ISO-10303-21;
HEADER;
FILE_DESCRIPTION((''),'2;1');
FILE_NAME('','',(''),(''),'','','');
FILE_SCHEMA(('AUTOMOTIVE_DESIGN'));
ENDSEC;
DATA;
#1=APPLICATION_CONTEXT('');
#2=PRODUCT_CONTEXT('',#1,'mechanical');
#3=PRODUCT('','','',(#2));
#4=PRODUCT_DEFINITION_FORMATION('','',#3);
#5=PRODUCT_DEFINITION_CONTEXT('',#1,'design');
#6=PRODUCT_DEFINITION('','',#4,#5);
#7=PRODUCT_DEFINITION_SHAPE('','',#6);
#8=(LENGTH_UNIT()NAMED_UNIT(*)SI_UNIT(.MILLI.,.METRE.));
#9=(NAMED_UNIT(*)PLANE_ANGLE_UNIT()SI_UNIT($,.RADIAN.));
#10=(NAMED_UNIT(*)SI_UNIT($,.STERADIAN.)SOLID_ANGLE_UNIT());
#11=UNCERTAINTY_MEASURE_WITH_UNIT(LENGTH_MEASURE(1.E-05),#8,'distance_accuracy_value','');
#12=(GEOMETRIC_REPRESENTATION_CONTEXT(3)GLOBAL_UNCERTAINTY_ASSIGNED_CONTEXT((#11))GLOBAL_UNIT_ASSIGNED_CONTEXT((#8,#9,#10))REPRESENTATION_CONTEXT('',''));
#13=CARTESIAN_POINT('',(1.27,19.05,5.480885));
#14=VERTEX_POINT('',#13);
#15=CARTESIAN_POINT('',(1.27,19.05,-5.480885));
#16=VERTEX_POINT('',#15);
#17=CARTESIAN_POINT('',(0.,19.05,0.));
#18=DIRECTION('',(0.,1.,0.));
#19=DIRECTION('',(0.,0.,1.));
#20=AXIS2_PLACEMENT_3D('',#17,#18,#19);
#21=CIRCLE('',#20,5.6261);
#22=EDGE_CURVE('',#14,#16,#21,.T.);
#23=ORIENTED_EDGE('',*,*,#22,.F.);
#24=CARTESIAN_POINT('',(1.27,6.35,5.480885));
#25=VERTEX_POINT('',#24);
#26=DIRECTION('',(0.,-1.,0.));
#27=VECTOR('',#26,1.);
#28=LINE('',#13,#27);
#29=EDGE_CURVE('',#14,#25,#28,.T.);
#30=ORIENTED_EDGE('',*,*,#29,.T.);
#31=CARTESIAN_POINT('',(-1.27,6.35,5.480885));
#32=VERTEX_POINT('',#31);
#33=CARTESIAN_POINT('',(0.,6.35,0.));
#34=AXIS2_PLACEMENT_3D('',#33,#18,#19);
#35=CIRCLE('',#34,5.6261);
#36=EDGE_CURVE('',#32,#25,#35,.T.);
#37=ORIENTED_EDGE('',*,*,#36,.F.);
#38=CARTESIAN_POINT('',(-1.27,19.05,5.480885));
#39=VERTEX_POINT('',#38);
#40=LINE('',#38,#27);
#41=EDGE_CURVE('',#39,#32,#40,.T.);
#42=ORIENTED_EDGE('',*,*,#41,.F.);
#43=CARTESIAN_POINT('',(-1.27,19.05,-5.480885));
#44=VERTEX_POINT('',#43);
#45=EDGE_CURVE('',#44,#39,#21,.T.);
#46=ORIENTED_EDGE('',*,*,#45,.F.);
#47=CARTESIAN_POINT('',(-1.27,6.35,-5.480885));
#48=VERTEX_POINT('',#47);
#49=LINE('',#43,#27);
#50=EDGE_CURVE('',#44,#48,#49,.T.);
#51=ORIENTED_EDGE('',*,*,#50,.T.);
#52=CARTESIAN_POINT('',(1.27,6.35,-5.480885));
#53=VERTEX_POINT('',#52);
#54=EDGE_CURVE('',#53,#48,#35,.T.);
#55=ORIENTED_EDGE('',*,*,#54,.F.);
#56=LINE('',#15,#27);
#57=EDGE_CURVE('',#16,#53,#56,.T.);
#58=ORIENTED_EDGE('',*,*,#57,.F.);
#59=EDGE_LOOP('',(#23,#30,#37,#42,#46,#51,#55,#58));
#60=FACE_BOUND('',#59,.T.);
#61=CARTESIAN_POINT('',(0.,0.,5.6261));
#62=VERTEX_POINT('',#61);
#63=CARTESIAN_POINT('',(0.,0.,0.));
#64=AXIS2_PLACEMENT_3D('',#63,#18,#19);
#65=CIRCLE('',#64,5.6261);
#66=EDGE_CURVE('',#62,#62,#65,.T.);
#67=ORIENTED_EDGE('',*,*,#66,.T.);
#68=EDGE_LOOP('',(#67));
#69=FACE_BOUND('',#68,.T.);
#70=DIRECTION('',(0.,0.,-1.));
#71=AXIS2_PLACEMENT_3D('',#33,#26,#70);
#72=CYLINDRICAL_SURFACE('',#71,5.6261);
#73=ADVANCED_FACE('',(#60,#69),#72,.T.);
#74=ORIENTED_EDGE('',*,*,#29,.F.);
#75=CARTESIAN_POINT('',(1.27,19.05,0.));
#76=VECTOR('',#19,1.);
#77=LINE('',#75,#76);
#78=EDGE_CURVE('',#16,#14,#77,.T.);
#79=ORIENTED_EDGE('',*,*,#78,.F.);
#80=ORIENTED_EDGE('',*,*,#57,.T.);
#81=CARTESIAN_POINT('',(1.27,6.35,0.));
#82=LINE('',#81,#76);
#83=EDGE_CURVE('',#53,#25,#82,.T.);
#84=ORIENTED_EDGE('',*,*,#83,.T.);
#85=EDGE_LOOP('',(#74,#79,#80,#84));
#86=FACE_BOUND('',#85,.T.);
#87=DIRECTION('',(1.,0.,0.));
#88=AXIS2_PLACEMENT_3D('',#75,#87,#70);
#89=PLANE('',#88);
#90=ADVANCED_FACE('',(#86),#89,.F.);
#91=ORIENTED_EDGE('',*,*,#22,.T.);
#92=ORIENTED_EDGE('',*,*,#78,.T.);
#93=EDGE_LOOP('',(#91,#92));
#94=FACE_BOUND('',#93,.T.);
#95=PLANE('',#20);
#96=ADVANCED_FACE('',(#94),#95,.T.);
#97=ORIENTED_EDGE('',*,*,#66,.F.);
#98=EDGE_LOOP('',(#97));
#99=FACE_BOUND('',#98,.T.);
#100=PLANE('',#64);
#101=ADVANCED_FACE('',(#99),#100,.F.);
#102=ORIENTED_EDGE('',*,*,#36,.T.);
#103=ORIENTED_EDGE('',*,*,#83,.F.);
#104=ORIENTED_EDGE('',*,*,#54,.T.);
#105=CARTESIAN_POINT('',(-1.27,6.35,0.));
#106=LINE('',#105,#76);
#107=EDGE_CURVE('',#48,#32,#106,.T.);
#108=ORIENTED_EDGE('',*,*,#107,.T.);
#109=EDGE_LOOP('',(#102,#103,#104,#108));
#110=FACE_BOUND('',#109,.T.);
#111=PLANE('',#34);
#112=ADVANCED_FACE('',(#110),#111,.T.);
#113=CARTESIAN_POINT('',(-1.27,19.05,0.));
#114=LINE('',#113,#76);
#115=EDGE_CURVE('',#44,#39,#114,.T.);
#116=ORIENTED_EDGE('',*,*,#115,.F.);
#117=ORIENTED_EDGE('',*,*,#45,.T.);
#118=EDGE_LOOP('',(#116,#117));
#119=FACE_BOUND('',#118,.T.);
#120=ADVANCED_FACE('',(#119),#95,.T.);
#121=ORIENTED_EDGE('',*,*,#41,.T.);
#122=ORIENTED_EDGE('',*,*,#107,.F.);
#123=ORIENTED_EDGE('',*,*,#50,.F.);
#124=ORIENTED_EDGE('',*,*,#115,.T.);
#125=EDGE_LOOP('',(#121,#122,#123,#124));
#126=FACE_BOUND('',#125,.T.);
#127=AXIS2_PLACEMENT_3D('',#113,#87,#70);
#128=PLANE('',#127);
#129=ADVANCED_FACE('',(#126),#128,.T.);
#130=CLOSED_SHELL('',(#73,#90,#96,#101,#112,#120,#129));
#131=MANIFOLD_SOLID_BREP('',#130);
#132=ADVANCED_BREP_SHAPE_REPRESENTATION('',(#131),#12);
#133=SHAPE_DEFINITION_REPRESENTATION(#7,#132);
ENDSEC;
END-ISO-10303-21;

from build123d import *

# Parameters (mm, degrees)
BOSS_EXTRUDE1_DEPTH = 6.35
BOSS_EXTRUDE2_START = 6.35
BOSS_EXTRUDE2_DEPTH = 12.7


with BuildPart() as part:
    # Sketch1 → Boss-Extrude1 (new body)
    with BuildSketch(Plane(origin=(0, 0, 0), x_dir=(1, 0, 0), z_dir=(0, 1, 0))):
        with BuildLine():
            ThreePointArc((-1.27, 5.480885075), (-5.6261, 0), (-1.27, -5.480885075))
            Line((-1.27, -5.480885075), (-1.27, 5.480885075))
        make_face()
        with BuildLine():
            ThreePointArc((-1.27, -5.480885075), (-0.639137568, -5.589678379), (2.1e-08, -5.6261))
            ThreePointArc((2.1e-08, -5.6261), (0.639137588, -5.589678377), (1.27, -5.480885075))
            Line((1.27, -5.480885075), (1.27, 5.480885075))
            ThreePointArc((1.27, 5.480885075), (0.639137578, 5.589678378), (0, 5.6261))
            ThreePointArc((0, 5.6261), (-0.639137578, 5.589678378), (-1.27, 5.480885075))
            Line((-1.27, 5.480885075), (-1.27, -5.480885075))
        make_face()
        with BuildLine():
            Line((1.27, 5.480885075), (1.27, -5.480885075))
            ThreePointArc((1.27, -5.480885075), (4.404438001, -3.50056097), (5.6261, 0))
            ThreePointArc((5.6261, 0), (4.404438001, 3.50056097), (1.27, 5.480885075))
        make_face()
    extrude(amount=BOSS_EXTRUDE1_DEPTH)

    # Sketch1<3> → Boss-Extrude2 (add)
    with BuildSketch(Plane(origin=(0, 0, 0), x_dir=(1, 0, 0), z_dir=(0, 1, 0)).offset(BOSS_EXTRUDE2_START)):
        with BuildLine():
            ThreePointArc((-1.27, 5.480885075), (-5.6261, 0), (-1.27, -5.480885075))
            Line((-1.27, -5.480885075), (-1.27, 5.480885075))
        make_face()
        with BuildLine():
            Line((1.27, 5.480885075), (1.27, -5.480885075))
            ThreePointArc((1.27, -5.480885075), (4.404438001, -3.50056097), (5.6261, 0))
            ThreePointArc((5.6261, 0), (4.404438001, 3.50056097), (1.27, 5.480885075))
        make_face()
    extrude(amount=BOSS_EXTRUDE2_DEPTH)


solid = part.part
